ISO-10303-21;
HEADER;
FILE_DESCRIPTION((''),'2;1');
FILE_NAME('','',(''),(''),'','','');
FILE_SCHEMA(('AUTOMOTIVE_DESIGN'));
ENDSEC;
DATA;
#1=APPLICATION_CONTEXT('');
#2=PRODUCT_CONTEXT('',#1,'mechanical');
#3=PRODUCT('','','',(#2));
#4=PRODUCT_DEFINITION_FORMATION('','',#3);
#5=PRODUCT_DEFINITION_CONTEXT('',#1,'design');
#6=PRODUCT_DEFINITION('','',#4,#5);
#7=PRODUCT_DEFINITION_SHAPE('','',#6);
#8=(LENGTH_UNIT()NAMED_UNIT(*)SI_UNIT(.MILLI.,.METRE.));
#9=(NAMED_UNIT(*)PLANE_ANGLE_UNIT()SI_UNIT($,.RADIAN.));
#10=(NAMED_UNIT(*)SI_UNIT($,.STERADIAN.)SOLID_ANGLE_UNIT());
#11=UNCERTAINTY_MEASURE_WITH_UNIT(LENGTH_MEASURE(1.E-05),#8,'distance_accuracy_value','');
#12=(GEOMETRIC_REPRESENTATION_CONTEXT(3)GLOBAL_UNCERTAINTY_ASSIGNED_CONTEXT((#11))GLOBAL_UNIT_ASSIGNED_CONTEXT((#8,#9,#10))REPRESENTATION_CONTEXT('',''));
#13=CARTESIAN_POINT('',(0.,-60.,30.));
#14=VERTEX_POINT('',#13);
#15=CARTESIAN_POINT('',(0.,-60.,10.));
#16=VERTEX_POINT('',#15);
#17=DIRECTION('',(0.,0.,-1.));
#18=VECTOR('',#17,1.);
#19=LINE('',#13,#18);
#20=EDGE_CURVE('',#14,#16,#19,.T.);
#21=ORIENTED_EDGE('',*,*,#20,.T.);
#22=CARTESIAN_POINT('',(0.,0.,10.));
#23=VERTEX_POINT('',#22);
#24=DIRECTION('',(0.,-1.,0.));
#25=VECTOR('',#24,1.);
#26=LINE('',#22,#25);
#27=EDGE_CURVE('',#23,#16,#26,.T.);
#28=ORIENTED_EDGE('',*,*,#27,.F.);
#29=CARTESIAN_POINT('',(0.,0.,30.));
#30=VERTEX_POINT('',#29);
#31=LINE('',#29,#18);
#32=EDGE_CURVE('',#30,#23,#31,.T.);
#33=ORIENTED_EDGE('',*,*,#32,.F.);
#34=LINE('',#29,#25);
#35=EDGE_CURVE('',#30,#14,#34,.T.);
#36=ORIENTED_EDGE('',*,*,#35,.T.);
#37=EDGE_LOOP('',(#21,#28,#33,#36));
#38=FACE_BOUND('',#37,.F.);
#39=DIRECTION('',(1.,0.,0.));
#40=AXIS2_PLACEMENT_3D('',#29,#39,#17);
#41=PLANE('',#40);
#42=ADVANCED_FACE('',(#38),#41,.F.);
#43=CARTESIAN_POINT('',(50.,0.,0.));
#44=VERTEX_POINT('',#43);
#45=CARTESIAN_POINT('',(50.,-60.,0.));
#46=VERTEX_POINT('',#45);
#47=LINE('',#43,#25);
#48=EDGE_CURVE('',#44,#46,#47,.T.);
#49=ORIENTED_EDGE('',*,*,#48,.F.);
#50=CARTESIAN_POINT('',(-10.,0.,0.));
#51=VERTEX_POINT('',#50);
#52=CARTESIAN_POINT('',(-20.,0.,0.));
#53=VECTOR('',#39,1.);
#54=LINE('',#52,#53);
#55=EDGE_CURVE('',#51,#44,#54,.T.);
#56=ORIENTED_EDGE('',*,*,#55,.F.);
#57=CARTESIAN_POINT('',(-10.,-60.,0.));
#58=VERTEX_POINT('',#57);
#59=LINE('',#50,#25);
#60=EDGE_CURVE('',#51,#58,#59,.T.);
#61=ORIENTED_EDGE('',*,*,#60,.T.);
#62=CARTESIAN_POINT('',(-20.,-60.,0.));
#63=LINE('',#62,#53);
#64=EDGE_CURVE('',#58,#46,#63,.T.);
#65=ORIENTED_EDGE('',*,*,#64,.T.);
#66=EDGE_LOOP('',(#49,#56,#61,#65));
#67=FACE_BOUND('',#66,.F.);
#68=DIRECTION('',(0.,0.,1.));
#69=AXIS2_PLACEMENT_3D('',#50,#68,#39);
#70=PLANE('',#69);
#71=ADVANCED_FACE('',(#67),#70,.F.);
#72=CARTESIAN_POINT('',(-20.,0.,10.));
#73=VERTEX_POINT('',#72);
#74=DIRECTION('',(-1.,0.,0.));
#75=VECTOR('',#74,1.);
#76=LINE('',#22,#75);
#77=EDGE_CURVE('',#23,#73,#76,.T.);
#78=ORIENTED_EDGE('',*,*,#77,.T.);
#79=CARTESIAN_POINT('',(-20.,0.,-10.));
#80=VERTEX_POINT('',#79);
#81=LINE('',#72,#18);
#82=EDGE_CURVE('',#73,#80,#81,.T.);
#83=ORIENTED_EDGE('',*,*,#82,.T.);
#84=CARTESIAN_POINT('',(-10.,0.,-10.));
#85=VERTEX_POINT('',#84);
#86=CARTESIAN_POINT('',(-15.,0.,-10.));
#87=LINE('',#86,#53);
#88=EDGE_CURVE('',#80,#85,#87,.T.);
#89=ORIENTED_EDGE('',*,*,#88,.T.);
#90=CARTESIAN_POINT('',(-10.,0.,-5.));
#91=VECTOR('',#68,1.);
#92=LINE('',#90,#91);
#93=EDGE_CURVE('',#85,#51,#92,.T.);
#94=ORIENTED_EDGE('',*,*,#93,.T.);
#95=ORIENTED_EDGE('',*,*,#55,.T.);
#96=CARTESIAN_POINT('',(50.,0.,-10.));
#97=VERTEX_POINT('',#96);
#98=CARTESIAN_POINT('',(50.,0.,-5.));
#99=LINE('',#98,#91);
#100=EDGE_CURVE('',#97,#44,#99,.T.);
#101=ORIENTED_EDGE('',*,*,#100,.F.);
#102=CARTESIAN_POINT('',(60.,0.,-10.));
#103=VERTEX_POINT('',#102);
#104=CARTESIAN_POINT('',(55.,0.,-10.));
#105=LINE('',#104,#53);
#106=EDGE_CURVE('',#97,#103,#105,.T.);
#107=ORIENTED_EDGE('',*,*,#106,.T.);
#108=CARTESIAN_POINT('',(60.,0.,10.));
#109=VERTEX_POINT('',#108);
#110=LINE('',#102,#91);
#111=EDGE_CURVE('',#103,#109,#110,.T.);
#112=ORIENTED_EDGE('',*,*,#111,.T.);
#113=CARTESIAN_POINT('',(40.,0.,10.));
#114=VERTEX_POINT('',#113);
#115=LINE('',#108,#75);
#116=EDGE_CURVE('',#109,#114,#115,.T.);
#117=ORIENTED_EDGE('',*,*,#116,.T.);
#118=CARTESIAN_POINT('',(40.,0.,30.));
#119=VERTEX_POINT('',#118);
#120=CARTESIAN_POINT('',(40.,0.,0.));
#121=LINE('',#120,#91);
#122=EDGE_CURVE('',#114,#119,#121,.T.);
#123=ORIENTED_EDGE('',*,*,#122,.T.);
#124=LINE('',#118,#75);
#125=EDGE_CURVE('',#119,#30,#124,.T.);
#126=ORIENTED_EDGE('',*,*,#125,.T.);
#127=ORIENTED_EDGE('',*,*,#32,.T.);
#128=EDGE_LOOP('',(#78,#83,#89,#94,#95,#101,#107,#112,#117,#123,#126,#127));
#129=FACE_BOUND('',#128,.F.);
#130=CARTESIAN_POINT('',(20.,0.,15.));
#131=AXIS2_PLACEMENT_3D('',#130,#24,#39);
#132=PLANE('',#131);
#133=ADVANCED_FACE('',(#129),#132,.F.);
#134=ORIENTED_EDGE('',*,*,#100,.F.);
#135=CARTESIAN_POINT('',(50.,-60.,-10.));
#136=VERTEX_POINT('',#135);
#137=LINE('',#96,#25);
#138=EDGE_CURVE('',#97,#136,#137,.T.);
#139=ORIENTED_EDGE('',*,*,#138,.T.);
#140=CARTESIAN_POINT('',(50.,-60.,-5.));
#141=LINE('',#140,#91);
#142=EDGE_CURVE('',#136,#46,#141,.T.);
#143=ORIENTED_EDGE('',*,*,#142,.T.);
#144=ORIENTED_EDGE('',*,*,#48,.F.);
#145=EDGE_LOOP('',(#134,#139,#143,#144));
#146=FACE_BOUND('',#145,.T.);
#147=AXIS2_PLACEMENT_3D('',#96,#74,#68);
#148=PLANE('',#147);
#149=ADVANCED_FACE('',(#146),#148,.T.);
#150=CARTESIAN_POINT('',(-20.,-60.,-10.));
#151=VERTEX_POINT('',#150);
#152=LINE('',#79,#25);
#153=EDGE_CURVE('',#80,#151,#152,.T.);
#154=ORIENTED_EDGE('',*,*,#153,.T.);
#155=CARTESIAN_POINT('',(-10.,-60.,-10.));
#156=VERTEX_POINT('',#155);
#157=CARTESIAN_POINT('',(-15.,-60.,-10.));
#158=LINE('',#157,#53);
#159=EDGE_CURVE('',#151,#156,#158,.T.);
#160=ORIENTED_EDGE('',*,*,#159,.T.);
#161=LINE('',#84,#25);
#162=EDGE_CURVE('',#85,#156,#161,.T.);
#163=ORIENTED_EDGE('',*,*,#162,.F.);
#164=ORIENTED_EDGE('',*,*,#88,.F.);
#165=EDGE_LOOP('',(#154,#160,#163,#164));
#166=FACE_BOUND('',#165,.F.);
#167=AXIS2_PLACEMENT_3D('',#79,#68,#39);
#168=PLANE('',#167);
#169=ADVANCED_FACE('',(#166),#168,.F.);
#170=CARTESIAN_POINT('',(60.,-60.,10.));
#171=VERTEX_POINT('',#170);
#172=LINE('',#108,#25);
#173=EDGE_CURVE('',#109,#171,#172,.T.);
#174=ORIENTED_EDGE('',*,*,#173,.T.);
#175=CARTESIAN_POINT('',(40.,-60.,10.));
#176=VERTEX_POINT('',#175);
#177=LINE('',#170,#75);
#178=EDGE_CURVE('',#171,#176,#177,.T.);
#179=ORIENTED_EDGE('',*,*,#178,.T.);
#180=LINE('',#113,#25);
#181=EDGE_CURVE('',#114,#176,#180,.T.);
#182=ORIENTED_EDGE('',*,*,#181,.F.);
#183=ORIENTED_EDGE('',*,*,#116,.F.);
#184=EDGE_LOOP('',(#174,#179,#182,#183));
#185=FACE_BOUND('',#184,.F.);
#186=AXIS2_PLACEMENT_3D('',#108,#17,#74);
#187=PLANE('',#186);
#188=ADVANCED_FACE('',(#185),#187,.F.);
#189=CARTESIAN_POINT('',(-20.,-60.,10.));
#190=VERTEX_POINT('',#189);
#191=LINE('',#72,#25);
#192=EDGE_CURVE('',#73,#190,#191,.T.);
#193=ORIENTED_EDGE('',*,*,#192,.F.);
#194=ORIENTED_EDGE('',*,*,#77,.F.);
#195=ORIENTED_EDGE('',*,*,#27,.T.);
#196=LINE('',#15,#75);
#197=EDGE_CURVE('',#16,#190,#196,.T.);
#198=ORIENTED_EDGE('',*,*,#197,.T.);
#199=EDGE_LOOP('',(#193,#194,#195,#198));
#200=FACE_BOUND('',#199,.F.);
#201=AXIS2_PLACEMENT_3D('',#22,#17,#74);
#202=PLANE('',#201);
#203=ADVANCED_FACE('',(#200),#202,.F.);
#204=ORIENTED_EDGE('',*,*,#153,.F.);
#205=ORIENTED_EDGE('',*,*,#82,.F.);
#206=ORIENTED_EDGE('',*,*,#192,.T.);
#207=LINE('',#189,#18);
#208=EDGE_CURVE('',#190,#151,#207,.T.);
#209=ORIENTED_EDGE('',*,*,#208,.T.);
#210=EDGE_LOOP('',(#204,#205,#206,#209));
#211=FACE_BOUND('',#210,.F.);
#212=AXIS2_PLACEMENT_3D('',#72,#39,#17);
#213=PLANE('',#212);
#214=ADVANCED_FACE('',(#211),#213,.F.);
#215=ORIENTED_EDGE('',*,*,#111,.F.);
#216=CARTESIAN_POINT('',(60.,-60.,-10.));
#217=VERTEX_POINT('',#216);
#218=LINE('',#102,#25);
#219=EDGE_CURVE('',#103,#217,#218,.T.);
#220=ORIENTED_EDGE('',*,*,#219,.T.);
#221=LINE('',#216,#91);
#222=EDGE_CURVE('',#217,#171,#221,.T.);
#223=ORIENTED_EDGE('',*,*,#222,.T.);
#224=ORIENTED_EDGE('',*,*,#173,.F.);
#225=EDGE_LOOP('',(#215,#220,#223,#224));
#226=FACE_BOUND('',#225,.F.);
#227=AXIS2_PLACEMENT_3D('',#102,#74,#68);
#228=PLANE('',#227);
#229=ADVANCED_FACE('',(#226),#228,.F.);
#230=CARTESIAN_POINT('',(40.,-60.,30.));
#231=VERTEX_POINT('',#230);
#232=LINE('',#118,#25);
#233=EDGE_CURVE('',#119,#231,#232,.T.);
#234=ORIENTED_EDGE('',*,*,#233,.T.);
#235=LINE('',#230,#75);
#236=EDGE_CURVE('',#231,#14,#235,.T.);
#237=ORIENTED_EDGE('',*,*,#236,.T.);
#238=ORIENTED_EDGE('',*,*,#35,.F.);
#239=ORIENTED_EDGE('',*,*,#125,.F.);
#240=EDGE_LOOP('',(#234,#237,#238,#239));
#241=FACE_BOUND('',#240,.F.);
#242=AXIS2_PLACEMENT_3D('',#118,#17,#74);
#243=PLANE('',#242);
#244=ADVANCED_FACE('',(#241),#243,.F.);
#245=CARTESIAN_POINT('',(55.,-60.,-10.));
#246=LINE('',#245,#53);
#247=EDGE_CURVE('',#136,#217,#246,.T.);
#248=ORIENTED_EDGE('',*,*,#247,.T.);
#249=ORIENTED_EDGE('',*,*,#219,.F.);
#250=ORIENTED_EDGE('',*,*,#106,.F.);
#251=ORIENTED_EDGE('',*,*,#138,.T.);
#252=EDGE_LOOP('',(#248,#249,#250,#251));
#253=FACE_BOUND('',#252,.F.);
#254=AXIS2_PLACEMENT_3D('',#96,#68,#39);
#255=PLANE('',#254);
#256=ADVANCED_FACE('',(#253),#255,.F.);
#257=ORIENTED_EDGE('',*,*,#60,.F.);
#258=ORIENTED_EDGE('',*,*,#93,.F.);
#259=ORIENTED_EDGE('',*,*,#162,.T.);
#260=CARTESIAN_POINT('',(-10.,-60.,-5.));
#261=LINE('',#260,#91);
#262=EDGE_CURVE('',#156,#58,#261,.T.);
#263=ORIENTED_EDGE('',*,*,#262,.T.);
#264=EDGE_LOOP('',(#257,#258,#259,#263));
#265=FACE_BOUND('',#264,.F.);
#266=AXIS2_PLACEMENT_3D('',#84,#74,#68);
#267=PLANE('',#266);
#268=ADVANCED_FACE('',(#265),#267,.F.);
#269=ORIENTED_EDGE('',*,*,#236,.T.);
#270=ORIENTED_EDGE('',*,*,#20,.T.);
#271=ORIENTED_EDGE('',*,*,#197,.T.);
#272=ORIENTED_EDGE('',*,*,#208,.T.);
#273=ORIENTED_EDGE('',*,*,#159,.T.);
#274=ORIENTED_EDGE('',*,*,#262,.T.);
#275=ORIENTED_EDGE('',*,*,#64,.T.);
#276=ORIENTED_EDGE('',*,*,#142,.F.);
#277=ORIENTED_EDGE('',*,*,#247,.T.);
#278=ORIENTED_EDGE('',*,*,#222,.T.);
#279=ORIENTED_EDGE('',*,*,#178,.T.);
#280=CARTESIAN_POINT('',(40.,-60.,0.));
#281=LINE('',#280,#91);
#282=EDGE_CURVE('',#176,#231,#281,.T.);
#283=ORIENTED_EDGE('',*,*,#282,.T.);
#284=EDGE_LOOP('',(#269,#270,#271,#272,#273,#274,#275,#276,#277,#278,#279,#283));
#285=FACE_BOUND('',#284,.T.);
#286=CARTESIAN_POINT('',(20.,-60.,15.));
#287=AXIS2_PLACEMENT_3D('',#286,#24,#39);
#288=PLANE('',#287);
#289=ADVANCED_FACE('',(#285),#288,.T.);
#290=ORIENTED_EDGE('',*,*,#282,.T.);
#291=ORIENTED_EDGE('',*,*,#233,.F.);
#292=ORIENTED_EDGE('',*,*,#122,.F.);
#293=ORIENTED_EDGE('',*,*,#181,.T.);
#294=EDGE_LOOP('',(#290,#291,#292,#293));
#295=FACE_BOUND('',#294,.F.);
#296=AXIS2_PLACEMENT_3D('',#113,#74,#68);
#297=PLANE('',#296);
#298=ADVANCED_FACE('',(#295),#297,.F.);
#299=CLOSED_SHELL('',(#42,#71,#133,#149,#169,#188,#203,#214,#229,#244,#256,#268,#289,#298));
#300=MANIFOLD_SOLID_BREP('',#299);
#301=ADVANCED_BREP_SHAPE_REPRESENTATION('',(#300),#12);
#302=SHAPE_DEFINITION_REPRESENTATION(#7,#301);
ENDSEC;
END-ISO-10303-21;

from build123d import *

# Parameters (mm, degrees)
F0_W     = 10
F0_H     = 10
F1_DEPTH = 60


with BuildPart() as f1:
    # F0 (on Front) → F1 (new body)
    with BuildSketch(Plane.XZ):
        Polygon((0, 10), (0, 0), (40, 0), (40, 10), (40, 30), (0, 30), align=None)
        Polygon((-10, 0), (0, 0), (0, 10), (-20, 10), (-20, 0), align=None)
        Polygon((40, 10), (40, 0), (50, 0), (60, 0), (60, 10), align=None)
        with Locations((-15, -5)):
            Rectangle(F0_W, F0_H)
        with Locations((55, -5)):
            Rectangle(F0_W, F0_H)
    extrude(amount=F1_DEPTH)


solid = f1.part
